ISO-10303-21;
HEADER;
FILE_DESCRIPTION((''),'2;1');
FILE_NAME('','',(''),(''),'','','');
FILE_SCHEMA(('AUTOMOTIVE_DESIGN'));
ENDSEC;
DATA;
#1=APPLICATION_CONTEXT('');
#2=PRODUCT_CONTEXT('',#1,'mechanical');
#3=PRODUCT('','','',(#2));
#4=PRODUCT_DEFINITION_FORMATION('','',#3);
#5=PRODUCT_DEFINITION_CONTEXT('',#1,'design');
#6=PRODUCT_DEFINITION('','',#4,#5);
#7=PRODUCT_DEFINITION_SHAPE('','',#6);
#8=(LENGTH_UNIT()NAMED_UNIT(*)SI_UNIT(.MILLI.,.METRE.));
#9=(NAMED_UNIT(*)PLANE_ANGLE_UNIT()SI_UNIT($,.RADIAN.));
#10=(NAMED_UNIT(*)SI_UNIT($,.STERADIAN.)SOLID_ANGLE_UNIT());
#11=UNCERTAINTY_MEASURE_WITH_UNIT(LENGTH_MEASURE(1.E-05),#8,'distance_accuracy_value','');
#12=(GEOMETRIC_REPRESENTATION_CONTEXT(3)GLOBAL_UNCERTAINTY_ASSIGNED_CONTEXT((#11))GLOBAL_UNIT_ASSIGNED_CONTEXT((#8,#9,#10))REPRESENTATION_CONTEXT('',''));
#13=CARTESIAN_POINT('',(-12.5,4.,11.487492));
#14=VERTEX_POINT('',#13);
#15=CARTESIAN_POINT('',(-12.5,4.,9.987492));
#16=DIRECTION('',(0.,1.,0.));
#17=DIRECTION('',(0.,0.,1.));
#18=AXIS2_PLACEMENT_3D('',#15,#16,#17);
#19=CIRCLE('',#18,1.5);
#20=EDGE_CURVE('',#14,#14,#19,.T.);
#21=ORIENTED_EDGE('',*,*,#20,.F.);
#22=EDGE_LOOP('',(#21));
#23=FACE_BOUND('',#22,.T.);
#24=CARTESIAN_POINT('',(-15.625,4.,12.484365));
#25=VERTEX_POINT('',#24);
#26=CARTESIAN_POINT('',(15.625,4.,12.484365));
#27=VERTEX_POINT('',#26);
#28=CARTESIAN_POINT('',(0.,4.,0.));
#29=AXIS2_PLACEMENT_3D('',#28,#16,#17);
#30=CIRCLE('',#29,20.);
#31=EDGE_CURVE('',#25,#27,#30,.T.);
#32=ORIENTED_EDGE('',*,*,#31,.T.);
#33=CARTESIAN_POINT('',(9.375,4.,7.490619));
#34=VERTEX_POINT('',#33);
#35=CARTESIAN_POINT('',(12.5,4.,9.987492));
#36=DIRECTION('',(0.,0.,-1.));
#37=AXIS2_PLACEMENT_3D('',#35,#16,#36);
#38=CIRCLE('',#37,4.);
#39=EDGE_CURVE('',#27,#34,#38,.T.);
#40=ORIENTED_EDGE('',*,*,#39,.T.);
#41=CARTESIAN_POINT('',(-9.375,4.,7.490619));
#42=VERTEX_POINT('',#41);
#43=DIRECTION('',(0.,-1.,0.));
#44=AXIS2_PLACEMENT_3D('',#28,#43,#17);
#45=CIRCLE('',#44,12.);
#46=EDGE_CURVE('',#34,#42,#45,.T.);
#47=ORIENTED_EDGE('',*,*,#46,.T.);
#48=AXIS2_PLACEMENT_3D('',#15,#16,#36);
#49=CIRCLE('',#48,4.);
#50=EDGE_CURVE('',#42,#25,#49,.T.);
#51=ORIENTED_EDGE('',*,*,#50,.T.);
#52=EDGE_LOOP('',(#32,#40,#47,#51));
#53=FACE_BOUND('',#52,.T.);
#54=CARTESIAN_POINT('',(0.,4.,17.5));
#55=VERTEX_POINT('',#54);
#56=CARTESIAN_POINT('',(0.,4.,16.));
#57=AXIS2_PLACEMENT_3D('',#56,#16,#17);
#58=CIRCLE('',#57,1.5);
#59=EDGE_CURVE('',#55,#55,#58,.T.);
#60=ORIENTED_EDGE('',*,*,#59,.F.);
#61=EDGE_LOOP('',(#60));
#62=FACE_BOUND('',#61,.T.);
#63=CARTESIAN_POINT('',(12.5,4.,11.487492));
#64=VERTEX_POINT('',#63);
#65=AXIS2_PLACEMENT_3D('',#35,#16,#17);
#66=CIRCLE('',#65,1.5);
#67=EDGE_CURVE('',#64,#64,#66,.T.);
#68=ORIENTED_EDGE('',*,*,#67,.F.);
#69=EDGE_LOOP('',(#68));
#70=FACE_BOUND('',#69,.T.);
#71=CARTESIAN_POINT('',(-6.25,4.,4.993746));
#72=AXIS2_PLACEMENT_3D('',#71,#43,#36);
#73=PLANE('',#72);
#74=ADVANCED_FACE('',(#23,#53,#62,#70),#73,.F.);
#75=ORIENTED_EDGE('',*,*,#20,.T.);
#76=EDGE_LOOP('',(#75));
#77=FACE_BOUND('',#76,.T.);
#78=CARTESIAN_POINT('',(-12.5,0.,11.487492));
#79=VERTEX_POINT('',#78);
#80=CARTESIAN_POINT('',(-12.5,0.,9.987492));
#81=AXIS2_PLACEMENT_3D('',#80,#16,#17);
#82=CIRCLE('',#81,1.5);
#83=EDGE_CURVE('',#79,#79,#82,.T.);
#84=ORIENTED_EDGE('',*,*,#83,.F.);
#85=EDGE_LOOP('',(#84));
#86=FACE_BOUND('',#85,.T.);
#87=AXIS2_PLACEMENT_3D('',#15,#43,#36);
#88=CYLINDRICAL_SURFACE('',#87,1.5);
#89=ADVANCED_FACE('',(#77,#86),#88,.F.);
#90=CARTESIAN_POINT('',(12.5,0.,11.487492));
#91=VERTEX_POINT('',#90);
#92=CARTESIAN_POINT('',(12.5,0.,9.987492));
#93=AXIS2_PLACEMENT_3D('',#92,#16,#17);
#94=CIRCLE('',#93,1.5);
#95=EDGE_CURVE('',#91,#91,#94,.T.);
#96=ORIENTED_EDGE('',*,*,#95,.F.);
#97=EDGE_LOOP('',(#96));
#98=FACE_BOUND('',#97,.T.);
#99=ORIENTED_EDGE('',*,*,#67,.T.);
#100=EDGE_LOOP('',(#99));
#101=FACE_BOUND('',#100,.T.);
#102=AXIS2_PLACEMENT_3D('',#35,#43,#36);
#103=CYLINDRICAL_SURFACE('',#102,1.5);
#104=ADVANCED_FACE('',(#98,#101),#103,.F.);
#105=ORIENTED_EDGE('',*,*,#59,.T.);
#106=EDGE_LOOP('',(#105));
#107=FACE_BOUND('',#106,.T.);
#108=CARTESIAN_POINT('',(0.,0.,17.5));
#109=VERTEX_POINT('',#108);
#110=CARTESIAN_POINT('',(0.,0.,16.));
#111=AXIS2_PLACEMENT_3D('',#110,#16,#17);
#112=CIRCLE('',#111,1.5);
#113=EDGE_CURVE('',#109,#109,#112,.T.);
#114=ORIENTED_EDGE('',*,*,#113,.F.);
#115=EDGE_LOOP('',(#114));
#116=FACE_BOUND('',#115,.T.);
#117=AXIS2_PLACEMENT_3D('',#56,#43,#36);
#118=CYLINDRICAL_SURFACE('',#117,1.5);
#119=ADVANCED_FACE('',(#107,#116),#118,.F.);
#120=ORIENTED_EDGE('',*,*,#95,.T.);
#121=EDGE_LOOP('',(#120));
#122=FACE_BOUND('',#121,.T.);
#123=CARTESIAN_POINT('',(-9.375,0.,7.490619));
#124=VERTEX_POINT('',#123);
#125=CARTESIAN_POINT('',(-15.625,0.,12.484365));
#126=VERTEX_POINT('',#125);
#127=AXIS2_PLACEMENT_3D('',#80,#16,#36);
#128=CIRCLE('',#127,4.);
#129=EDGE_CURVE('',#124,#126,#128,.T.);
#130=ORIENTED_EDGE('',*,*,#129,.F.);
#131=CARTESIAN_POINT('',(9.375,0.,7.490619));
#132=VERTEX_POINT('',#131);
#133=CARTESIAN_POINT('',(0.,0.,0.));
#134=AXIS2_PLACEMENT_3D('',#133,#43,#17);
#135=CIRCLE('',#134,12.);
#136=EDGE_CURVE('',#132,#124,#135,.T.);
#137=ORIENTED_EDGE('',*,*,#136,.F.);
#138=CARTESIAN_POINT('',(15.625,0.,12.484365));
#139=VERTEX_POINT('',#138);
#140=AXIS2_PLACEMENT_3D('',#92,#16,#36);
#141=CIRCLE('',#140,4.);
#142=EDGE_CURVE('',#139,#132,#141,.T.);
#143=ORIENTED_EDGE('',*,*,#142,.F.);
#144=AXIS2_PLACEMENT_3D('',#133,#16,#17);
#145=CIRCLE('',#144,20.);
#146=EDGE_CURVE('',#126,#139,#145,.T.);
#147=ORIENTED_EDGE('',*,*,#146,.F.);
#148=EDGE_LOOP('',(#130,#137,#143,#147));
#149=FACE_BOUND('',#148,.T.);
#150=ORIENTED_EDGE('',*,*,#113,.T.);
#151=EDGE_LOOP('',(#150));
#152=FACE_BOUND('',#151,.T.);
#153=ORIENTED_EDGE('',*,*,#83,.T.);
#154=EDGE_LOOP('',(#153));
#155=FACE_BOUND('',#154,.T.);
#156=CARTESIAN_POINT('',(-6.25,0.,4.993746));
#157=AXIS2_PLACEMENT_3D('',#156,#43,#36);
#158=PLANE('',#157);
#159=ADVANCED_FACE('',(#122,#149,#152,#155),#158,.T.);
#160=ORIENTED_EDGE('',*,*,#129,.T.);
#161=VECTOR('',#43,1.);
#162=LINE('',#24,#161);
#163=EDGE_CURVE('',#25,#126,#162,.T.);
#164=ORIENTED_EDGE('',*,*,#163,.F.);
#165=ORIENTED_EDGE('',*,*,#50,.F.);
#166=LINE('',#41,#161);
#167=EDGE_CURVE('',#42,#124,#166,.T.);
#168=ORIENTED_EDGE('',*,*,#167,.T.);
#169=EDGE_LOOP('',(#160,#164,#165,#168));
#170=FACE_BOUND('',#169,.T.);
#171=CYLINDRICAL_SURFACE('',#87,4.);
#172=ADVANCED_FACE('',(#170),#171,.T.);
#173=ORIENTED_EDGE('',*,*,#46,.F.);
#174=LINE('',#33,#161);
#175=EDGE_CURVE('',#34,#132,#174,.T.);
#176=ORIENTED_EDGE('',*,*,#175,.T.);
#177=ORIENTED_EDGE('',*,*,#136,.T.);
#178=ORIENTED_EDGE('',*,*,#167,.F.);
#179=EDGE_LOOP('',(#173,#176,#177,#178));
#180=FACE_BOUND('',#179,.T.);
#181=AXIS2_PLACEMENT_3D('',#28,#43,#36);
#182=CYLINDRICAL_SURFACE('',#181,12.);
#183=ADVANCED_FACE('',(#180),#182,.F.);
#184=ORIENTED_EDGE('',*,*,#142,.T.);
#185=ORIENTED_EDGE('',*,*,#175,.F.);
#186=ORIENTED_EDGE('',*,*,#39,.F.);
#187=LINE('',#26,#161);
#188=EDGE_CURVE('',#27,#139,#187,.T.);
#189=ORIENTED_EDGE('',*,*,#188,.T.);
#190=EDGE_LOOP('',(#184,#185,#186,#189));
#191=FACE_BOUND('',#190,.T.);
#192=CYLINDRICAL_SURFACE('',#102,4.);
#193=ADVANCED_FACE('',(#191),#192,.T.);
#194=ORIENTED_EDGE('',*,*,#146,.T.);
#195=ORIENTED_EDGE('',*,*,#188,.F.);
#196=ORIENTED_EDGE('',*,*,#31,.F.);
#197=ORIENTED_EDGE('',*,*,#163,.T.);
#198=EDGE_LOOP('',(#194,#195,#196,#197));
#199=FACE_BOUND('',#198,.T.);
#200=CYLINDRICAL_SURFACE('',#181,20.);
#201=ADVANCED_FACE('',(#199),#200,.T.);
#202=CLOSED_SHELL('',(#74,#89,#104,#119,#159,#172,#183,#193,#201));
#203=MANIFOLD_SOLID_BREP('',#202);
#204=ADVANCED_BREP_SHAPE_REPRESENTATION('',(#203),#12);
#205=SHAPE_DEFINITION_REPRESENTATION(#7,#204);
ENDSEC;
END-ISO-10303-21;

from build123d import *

# Parameters (mm, degrees)
SKETCH1_R           = 1.5
BOSS_EXTRUDE1_DEPTH = 4


with BuildPart() as part:
    # Sketch1 → Boss-Extrude1 (new body)
    with BuildSketch(Plane(origin=(0, 0, 0), x_dir=(1, 0, 0), z_dir=(0, 1, 0))):
        with BuildLine():
            ThreePointArc((-9.375, -7.490619133), (0, -12), (9.375, -7.490619133))
            ThreePointArc((9.375, -7.490619133), (14.996873044, -6.862492178), (15.625, -12.484365222))
            ThreePointArc((15.625, -12.484365222), (0, -20), (-15.625, -12.484365222))
            ThreePointArc((-15.625, -12.484365222), (-14.996873044, -6.862492178), (-9.375, -7.490619133))
        make_face()
        with Locations((-12.5, -9.987492178)):
            Circle(SKETCH1_R, mode=Mode.SUBTRACT)
        with Locations((12.5, -9.987492178)):
            Circle(SKETCH1_R, mode=Mode.SUBTRACT)
        with Locations((0, -16)):
            Circle(SKETCH1_R, mode=Mode.SUBTRACT)
    extrude(amount=BOSS_EXTRUDE1_DEPTH)


solid = part.part
